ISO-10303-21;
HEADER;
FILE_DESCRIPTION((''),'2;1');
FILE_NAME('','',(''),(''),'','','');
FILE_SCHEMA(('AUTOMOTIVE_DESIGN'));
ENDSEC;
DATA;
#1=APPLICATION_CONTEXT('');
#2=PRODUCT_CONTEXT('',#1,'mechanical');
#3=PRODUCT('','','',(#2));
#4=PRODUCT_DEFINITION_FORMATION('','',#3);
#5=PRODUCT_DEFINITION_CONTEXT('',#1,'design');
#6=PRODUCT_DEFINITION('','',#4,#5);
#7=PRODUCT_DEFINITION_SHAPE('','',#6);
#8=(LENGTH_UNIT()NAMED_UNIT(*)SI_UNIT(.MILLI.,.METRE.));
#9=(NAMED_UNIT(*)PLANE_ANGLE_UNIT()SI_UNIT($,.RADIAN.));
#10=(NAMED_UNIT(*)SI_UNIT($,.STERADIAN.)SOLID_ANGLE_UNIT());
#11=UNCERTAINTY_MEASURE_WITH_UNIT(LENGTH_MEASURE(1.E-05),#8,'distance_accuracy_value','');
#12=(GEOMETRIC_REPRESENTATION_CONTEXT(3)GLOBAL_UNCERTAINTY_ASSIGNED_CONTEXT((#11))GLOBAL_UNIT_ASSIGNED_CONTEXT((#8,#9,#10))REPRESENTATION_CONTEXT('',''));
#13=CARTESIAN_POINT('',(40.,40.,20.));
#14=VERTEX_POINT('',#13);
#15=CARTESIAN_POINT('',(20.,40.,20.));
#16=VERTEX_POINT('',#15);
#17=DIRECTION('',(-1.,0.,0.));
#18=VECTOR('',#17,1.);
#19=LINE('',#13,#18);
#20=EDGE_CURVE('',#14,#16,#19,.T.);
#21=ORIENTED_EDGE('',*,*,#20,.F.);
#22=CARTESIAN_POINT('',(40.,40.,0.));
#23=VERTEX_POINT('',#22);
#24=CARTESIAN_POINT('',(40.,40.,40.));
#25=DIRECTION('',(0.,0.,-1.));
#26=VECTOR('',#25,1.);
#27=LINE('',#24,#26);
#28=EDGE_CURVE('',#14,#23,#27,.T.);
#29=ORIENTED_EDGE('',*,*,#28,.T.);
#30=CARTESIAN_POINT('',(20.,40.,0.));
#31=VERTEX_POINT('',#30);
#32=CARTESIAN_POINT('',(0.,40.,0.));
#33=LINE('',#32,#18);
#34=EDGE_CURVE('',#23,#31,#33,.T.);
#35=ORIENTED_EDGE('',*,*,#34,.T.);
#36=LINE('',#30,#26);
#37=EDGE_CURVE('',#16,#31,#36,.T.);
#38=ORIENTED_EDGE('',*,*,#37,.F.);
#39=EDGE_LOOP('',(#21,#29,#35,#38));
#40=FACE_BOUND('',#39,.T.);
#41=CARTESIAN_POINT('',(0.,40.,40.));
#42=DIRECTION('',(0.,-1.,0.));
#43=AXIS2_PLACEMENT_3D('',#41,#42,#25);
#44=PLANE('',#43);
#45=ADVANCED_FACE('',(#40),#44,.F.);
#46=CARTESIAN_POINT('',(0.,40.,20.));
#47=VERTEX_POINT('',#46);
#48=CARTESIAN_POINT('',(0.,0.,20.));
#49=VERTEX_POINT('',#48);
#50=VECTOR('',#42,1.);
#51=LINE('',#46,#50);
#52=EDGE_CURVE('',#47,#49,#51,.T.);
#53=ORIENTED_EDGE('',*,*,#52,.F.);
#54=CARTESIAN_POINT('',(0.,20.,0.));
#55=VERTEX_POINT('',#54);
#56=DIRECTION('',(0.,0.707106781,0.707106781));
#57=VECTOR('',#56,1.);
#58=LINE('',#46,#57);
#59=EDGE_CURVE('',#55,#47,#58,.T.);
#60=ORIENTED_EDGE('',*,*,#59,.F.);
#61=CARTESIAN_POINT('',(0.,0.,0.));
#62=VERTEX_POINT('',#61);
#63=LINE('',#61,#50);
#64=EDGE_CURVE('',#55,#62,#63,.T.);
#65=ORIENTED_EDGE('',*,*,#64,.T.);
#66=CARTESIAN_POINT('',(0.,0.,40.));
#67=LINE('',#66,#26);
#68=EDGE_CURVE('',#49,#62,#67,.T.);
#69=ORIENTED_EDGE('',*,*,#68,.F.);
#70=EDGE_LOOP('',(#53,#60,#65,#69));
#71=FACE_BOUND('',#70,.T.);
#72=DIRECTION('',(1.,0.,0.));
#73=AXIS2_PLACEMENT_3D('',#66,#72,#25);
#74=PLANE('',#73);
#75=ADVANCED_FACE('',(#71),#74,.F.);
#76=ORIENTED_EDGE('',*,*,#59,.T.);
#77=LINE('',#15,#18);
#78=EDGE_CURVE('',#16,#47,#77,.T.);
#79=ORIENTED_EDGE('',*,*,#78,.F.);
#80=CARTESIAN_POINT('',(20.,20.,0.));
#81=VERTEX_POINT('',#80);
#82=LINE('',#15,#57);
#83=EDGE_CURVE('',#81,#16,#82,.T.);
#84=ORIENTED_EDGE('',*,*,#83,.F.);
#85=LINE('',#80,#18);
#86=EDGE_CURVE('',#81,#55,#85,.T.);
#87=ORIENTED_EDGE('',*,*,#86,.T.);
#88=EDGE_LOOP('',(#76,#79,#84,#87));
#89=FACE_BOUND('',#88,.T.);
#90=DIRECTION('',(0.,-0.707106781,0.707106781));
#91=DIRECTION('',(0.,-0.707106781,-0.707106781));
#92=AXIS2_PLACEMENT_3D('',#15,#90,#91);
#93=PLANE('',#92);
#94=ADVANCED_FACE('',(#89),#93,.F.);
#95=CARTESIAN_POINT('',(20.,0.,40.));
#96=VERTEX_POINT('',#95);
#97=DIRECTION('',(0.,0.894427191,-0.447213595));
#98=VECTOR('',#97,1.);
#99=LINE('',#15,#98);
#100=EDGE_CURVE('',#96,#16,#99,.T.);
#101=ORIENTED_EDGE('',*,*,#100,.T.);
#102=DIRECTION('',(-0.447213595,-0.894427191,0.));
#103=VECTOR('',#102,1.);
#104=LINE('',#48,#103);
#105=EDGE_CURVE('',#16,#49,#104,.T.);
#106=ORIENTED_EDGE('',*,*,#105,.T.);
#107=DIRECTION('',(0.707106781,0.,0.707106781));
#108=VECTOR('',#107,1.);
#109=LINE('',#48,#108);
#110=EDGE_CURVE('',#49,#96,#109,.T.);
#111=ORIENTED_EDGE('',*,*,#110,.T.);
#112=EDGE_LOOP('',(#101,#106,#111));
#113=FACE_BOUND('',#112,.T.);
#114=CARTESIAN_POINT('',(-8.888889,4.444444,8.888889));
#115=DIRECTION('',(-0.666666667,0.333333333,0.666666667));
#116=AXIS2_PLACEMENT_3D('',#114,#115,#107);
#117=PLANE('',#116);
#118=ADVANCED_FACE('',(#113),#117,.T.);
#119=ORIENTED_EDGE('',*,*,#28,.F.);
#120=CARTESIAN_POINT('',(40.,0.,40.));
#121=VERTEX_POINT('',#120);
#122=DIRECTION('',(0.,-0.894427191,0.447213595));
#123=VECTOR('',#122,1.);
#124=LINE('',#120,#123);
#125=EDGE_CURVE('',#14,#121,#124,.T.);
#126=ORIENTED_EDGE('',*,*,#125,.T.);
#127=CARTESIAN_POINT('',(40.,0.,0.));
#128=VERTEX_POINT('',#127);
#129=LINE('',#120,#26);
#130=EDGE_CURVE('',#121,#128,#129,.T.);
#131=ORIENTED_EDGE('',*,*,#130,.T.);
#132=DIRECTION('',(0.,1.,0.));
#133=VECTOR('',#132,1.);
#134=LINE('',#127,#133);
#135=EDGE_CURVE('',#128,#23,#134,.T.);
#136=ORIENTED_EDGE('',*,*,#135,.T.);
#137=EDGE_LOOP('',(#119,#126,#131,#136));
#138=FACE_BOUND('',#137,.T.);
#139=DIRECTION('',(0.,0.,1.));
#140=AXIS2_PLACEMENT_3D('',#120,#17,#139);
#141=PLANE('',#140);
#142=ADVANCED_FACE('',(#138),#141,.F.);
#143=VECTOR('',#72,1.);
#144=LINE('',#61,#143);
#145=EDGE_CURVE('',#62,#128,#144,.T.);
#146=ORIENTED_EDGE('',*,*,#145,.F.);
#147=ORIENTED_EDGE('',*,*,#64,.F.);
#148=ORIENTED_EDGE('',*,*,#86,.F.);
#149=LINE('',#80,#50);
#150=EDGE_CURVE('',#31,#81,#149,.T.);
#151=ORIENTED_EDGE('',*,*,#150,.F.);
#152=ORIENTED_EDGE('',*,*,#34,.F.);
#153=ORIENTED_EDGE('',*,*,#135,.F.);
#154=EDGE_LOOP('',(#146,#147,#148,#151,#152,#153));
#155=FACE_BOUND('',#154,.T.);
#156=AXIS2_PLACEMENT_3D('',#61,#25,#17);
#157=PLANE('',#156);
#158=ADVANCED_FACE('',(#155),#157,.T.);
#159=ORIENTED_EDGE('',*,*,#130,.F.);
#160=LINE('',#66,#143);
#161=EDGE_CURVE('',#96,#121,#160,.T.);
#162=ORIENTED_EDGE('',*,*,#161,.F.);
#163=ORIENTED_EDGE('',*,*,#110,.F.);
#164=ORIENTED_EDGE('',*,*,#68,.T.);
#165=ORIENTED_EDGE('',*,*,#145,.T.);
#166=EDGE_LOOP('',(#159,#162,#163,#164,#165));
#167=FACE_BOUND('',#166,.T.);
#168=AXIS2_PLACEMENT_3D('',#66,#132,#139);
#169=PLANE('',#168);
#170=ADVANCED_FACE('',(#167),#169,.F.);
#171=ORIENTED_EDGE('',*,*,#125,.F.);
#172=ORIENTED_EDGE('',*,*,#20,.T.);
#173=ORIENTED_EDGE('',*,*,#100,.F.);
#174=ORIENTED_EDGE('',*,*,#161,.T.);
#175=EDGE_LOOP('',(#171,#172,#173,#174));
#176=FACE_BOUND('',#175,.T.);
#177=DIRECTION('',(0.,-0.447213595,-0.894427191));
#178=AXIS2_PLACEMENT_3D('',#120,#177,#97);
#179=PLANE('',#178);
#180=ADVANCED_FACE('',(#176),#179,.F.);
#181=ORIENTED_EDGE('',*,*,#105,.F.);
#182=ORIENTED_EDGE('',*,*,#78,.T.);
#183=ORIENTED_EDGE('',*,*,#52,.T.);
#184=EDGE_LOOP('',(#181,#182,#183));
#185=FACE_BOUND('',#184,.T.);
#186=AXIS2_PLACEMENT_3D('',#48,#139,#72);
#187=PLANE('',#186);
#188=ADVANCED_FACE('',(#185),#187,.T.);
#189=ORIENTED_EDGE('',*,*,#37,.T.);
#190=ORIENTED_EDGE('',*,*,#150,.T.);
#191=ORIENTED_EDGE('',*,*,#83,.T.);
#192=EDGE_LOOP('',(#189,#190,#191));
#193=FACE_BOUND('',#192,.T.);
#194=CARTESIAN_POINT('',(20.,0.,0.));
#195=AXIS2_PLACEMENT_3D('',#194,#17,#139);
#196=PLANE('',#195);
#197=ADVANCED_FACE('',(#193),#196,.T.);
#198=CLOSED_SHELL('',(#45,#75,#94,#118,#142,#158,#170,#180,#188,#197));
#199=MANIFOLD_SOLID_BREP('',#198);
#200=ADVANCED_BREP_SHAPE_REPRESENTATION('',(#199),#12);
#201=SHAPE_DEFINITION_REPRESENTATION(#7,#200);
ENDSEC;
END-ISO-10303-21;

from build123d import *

# Parameters (mm, degrees)
SKETCH1_W           = 40
SKETCH1_H           = 40
BOSS_EXTRUDE1_DEPTH = 40
CUT_EXTRUDE1_DEPTH  = 40
CUT_EXTRUDE2_DEPTH  = 40
CUT_EXTRUDE3_DEPTH  = 20
CUT_EXTRUDE4_DEPTH  = 20
CUT_EXTRUDE7_DEPTH  = 49


with BuildPart() as part:
    # Sketch1 → Boss-Extrude1 (new body)
    with BuildSketch(Plane.XY):
        with Locations((20, 20)):
            Rectangle(SKETCH1_W, SKETCH1_H)
    extrude(amount=BOSS_EXTRUDE1_DEPTH)

    # Sketch2 → Cut-Extrude1 (cut)
    with BuildSketch(Plane.ZY):
        Polygon((40, 0), (20, 40), (40, 40), align=None)
    extrude(amount=-CUT_EXTRUDE1_DEPTH, mode=Mode.SUBTRACT)

    # Sketch3 → Cut-Extrude2 (cut)
    with BuildSketch(Plane.XZ):
        Polygon((0, 20), (20, 40), (0, 40), align=None)
    extrude(amount=-CUT_EXTRUDE2_DEPTH, mode=Mode.SUBTRACT)

    # Sketch4 → Cut-Extrude3 (cut)
    with BuildSketch(Plane.ZY):
        Polygon((20, 40), (0, 20), (0, 40), align=None)
    extrude(amount=-CUT_EXTRUDE3_DEPTH, mode=Mode.SUBTRACT)

    # Sketch5 → Cut-Extrude4 (cut)
    with BuildSketch(Plane(origin=(-8.888888889, 4.444444444, 8.888888889), x_dir=(0.745355992, 0.298142397, 0.596284794), z_dir=(-0.666666667, 0.333333333, 0.666666667))):
        Polygon((38.75851161, 26.83281573), (38.75851161, -17.88854382), (11.92569588, -8.94427191), align=None)
    extrude(amount=CUT_EXTRUDE4_DEPTH, mode=Mode.SUBTRACT)

    # Sketch8 → Cut-Extrude7 (cut)
    with BuildSketch(Plane.XY.offset(20)):
        Polygon((20, 40), (0, 0), (0, 40), align=None)
    extrude(amount=CUT_EXTRUDE7_DEPTH, mode=Mode.SUBTRACT)


solid = part.part
